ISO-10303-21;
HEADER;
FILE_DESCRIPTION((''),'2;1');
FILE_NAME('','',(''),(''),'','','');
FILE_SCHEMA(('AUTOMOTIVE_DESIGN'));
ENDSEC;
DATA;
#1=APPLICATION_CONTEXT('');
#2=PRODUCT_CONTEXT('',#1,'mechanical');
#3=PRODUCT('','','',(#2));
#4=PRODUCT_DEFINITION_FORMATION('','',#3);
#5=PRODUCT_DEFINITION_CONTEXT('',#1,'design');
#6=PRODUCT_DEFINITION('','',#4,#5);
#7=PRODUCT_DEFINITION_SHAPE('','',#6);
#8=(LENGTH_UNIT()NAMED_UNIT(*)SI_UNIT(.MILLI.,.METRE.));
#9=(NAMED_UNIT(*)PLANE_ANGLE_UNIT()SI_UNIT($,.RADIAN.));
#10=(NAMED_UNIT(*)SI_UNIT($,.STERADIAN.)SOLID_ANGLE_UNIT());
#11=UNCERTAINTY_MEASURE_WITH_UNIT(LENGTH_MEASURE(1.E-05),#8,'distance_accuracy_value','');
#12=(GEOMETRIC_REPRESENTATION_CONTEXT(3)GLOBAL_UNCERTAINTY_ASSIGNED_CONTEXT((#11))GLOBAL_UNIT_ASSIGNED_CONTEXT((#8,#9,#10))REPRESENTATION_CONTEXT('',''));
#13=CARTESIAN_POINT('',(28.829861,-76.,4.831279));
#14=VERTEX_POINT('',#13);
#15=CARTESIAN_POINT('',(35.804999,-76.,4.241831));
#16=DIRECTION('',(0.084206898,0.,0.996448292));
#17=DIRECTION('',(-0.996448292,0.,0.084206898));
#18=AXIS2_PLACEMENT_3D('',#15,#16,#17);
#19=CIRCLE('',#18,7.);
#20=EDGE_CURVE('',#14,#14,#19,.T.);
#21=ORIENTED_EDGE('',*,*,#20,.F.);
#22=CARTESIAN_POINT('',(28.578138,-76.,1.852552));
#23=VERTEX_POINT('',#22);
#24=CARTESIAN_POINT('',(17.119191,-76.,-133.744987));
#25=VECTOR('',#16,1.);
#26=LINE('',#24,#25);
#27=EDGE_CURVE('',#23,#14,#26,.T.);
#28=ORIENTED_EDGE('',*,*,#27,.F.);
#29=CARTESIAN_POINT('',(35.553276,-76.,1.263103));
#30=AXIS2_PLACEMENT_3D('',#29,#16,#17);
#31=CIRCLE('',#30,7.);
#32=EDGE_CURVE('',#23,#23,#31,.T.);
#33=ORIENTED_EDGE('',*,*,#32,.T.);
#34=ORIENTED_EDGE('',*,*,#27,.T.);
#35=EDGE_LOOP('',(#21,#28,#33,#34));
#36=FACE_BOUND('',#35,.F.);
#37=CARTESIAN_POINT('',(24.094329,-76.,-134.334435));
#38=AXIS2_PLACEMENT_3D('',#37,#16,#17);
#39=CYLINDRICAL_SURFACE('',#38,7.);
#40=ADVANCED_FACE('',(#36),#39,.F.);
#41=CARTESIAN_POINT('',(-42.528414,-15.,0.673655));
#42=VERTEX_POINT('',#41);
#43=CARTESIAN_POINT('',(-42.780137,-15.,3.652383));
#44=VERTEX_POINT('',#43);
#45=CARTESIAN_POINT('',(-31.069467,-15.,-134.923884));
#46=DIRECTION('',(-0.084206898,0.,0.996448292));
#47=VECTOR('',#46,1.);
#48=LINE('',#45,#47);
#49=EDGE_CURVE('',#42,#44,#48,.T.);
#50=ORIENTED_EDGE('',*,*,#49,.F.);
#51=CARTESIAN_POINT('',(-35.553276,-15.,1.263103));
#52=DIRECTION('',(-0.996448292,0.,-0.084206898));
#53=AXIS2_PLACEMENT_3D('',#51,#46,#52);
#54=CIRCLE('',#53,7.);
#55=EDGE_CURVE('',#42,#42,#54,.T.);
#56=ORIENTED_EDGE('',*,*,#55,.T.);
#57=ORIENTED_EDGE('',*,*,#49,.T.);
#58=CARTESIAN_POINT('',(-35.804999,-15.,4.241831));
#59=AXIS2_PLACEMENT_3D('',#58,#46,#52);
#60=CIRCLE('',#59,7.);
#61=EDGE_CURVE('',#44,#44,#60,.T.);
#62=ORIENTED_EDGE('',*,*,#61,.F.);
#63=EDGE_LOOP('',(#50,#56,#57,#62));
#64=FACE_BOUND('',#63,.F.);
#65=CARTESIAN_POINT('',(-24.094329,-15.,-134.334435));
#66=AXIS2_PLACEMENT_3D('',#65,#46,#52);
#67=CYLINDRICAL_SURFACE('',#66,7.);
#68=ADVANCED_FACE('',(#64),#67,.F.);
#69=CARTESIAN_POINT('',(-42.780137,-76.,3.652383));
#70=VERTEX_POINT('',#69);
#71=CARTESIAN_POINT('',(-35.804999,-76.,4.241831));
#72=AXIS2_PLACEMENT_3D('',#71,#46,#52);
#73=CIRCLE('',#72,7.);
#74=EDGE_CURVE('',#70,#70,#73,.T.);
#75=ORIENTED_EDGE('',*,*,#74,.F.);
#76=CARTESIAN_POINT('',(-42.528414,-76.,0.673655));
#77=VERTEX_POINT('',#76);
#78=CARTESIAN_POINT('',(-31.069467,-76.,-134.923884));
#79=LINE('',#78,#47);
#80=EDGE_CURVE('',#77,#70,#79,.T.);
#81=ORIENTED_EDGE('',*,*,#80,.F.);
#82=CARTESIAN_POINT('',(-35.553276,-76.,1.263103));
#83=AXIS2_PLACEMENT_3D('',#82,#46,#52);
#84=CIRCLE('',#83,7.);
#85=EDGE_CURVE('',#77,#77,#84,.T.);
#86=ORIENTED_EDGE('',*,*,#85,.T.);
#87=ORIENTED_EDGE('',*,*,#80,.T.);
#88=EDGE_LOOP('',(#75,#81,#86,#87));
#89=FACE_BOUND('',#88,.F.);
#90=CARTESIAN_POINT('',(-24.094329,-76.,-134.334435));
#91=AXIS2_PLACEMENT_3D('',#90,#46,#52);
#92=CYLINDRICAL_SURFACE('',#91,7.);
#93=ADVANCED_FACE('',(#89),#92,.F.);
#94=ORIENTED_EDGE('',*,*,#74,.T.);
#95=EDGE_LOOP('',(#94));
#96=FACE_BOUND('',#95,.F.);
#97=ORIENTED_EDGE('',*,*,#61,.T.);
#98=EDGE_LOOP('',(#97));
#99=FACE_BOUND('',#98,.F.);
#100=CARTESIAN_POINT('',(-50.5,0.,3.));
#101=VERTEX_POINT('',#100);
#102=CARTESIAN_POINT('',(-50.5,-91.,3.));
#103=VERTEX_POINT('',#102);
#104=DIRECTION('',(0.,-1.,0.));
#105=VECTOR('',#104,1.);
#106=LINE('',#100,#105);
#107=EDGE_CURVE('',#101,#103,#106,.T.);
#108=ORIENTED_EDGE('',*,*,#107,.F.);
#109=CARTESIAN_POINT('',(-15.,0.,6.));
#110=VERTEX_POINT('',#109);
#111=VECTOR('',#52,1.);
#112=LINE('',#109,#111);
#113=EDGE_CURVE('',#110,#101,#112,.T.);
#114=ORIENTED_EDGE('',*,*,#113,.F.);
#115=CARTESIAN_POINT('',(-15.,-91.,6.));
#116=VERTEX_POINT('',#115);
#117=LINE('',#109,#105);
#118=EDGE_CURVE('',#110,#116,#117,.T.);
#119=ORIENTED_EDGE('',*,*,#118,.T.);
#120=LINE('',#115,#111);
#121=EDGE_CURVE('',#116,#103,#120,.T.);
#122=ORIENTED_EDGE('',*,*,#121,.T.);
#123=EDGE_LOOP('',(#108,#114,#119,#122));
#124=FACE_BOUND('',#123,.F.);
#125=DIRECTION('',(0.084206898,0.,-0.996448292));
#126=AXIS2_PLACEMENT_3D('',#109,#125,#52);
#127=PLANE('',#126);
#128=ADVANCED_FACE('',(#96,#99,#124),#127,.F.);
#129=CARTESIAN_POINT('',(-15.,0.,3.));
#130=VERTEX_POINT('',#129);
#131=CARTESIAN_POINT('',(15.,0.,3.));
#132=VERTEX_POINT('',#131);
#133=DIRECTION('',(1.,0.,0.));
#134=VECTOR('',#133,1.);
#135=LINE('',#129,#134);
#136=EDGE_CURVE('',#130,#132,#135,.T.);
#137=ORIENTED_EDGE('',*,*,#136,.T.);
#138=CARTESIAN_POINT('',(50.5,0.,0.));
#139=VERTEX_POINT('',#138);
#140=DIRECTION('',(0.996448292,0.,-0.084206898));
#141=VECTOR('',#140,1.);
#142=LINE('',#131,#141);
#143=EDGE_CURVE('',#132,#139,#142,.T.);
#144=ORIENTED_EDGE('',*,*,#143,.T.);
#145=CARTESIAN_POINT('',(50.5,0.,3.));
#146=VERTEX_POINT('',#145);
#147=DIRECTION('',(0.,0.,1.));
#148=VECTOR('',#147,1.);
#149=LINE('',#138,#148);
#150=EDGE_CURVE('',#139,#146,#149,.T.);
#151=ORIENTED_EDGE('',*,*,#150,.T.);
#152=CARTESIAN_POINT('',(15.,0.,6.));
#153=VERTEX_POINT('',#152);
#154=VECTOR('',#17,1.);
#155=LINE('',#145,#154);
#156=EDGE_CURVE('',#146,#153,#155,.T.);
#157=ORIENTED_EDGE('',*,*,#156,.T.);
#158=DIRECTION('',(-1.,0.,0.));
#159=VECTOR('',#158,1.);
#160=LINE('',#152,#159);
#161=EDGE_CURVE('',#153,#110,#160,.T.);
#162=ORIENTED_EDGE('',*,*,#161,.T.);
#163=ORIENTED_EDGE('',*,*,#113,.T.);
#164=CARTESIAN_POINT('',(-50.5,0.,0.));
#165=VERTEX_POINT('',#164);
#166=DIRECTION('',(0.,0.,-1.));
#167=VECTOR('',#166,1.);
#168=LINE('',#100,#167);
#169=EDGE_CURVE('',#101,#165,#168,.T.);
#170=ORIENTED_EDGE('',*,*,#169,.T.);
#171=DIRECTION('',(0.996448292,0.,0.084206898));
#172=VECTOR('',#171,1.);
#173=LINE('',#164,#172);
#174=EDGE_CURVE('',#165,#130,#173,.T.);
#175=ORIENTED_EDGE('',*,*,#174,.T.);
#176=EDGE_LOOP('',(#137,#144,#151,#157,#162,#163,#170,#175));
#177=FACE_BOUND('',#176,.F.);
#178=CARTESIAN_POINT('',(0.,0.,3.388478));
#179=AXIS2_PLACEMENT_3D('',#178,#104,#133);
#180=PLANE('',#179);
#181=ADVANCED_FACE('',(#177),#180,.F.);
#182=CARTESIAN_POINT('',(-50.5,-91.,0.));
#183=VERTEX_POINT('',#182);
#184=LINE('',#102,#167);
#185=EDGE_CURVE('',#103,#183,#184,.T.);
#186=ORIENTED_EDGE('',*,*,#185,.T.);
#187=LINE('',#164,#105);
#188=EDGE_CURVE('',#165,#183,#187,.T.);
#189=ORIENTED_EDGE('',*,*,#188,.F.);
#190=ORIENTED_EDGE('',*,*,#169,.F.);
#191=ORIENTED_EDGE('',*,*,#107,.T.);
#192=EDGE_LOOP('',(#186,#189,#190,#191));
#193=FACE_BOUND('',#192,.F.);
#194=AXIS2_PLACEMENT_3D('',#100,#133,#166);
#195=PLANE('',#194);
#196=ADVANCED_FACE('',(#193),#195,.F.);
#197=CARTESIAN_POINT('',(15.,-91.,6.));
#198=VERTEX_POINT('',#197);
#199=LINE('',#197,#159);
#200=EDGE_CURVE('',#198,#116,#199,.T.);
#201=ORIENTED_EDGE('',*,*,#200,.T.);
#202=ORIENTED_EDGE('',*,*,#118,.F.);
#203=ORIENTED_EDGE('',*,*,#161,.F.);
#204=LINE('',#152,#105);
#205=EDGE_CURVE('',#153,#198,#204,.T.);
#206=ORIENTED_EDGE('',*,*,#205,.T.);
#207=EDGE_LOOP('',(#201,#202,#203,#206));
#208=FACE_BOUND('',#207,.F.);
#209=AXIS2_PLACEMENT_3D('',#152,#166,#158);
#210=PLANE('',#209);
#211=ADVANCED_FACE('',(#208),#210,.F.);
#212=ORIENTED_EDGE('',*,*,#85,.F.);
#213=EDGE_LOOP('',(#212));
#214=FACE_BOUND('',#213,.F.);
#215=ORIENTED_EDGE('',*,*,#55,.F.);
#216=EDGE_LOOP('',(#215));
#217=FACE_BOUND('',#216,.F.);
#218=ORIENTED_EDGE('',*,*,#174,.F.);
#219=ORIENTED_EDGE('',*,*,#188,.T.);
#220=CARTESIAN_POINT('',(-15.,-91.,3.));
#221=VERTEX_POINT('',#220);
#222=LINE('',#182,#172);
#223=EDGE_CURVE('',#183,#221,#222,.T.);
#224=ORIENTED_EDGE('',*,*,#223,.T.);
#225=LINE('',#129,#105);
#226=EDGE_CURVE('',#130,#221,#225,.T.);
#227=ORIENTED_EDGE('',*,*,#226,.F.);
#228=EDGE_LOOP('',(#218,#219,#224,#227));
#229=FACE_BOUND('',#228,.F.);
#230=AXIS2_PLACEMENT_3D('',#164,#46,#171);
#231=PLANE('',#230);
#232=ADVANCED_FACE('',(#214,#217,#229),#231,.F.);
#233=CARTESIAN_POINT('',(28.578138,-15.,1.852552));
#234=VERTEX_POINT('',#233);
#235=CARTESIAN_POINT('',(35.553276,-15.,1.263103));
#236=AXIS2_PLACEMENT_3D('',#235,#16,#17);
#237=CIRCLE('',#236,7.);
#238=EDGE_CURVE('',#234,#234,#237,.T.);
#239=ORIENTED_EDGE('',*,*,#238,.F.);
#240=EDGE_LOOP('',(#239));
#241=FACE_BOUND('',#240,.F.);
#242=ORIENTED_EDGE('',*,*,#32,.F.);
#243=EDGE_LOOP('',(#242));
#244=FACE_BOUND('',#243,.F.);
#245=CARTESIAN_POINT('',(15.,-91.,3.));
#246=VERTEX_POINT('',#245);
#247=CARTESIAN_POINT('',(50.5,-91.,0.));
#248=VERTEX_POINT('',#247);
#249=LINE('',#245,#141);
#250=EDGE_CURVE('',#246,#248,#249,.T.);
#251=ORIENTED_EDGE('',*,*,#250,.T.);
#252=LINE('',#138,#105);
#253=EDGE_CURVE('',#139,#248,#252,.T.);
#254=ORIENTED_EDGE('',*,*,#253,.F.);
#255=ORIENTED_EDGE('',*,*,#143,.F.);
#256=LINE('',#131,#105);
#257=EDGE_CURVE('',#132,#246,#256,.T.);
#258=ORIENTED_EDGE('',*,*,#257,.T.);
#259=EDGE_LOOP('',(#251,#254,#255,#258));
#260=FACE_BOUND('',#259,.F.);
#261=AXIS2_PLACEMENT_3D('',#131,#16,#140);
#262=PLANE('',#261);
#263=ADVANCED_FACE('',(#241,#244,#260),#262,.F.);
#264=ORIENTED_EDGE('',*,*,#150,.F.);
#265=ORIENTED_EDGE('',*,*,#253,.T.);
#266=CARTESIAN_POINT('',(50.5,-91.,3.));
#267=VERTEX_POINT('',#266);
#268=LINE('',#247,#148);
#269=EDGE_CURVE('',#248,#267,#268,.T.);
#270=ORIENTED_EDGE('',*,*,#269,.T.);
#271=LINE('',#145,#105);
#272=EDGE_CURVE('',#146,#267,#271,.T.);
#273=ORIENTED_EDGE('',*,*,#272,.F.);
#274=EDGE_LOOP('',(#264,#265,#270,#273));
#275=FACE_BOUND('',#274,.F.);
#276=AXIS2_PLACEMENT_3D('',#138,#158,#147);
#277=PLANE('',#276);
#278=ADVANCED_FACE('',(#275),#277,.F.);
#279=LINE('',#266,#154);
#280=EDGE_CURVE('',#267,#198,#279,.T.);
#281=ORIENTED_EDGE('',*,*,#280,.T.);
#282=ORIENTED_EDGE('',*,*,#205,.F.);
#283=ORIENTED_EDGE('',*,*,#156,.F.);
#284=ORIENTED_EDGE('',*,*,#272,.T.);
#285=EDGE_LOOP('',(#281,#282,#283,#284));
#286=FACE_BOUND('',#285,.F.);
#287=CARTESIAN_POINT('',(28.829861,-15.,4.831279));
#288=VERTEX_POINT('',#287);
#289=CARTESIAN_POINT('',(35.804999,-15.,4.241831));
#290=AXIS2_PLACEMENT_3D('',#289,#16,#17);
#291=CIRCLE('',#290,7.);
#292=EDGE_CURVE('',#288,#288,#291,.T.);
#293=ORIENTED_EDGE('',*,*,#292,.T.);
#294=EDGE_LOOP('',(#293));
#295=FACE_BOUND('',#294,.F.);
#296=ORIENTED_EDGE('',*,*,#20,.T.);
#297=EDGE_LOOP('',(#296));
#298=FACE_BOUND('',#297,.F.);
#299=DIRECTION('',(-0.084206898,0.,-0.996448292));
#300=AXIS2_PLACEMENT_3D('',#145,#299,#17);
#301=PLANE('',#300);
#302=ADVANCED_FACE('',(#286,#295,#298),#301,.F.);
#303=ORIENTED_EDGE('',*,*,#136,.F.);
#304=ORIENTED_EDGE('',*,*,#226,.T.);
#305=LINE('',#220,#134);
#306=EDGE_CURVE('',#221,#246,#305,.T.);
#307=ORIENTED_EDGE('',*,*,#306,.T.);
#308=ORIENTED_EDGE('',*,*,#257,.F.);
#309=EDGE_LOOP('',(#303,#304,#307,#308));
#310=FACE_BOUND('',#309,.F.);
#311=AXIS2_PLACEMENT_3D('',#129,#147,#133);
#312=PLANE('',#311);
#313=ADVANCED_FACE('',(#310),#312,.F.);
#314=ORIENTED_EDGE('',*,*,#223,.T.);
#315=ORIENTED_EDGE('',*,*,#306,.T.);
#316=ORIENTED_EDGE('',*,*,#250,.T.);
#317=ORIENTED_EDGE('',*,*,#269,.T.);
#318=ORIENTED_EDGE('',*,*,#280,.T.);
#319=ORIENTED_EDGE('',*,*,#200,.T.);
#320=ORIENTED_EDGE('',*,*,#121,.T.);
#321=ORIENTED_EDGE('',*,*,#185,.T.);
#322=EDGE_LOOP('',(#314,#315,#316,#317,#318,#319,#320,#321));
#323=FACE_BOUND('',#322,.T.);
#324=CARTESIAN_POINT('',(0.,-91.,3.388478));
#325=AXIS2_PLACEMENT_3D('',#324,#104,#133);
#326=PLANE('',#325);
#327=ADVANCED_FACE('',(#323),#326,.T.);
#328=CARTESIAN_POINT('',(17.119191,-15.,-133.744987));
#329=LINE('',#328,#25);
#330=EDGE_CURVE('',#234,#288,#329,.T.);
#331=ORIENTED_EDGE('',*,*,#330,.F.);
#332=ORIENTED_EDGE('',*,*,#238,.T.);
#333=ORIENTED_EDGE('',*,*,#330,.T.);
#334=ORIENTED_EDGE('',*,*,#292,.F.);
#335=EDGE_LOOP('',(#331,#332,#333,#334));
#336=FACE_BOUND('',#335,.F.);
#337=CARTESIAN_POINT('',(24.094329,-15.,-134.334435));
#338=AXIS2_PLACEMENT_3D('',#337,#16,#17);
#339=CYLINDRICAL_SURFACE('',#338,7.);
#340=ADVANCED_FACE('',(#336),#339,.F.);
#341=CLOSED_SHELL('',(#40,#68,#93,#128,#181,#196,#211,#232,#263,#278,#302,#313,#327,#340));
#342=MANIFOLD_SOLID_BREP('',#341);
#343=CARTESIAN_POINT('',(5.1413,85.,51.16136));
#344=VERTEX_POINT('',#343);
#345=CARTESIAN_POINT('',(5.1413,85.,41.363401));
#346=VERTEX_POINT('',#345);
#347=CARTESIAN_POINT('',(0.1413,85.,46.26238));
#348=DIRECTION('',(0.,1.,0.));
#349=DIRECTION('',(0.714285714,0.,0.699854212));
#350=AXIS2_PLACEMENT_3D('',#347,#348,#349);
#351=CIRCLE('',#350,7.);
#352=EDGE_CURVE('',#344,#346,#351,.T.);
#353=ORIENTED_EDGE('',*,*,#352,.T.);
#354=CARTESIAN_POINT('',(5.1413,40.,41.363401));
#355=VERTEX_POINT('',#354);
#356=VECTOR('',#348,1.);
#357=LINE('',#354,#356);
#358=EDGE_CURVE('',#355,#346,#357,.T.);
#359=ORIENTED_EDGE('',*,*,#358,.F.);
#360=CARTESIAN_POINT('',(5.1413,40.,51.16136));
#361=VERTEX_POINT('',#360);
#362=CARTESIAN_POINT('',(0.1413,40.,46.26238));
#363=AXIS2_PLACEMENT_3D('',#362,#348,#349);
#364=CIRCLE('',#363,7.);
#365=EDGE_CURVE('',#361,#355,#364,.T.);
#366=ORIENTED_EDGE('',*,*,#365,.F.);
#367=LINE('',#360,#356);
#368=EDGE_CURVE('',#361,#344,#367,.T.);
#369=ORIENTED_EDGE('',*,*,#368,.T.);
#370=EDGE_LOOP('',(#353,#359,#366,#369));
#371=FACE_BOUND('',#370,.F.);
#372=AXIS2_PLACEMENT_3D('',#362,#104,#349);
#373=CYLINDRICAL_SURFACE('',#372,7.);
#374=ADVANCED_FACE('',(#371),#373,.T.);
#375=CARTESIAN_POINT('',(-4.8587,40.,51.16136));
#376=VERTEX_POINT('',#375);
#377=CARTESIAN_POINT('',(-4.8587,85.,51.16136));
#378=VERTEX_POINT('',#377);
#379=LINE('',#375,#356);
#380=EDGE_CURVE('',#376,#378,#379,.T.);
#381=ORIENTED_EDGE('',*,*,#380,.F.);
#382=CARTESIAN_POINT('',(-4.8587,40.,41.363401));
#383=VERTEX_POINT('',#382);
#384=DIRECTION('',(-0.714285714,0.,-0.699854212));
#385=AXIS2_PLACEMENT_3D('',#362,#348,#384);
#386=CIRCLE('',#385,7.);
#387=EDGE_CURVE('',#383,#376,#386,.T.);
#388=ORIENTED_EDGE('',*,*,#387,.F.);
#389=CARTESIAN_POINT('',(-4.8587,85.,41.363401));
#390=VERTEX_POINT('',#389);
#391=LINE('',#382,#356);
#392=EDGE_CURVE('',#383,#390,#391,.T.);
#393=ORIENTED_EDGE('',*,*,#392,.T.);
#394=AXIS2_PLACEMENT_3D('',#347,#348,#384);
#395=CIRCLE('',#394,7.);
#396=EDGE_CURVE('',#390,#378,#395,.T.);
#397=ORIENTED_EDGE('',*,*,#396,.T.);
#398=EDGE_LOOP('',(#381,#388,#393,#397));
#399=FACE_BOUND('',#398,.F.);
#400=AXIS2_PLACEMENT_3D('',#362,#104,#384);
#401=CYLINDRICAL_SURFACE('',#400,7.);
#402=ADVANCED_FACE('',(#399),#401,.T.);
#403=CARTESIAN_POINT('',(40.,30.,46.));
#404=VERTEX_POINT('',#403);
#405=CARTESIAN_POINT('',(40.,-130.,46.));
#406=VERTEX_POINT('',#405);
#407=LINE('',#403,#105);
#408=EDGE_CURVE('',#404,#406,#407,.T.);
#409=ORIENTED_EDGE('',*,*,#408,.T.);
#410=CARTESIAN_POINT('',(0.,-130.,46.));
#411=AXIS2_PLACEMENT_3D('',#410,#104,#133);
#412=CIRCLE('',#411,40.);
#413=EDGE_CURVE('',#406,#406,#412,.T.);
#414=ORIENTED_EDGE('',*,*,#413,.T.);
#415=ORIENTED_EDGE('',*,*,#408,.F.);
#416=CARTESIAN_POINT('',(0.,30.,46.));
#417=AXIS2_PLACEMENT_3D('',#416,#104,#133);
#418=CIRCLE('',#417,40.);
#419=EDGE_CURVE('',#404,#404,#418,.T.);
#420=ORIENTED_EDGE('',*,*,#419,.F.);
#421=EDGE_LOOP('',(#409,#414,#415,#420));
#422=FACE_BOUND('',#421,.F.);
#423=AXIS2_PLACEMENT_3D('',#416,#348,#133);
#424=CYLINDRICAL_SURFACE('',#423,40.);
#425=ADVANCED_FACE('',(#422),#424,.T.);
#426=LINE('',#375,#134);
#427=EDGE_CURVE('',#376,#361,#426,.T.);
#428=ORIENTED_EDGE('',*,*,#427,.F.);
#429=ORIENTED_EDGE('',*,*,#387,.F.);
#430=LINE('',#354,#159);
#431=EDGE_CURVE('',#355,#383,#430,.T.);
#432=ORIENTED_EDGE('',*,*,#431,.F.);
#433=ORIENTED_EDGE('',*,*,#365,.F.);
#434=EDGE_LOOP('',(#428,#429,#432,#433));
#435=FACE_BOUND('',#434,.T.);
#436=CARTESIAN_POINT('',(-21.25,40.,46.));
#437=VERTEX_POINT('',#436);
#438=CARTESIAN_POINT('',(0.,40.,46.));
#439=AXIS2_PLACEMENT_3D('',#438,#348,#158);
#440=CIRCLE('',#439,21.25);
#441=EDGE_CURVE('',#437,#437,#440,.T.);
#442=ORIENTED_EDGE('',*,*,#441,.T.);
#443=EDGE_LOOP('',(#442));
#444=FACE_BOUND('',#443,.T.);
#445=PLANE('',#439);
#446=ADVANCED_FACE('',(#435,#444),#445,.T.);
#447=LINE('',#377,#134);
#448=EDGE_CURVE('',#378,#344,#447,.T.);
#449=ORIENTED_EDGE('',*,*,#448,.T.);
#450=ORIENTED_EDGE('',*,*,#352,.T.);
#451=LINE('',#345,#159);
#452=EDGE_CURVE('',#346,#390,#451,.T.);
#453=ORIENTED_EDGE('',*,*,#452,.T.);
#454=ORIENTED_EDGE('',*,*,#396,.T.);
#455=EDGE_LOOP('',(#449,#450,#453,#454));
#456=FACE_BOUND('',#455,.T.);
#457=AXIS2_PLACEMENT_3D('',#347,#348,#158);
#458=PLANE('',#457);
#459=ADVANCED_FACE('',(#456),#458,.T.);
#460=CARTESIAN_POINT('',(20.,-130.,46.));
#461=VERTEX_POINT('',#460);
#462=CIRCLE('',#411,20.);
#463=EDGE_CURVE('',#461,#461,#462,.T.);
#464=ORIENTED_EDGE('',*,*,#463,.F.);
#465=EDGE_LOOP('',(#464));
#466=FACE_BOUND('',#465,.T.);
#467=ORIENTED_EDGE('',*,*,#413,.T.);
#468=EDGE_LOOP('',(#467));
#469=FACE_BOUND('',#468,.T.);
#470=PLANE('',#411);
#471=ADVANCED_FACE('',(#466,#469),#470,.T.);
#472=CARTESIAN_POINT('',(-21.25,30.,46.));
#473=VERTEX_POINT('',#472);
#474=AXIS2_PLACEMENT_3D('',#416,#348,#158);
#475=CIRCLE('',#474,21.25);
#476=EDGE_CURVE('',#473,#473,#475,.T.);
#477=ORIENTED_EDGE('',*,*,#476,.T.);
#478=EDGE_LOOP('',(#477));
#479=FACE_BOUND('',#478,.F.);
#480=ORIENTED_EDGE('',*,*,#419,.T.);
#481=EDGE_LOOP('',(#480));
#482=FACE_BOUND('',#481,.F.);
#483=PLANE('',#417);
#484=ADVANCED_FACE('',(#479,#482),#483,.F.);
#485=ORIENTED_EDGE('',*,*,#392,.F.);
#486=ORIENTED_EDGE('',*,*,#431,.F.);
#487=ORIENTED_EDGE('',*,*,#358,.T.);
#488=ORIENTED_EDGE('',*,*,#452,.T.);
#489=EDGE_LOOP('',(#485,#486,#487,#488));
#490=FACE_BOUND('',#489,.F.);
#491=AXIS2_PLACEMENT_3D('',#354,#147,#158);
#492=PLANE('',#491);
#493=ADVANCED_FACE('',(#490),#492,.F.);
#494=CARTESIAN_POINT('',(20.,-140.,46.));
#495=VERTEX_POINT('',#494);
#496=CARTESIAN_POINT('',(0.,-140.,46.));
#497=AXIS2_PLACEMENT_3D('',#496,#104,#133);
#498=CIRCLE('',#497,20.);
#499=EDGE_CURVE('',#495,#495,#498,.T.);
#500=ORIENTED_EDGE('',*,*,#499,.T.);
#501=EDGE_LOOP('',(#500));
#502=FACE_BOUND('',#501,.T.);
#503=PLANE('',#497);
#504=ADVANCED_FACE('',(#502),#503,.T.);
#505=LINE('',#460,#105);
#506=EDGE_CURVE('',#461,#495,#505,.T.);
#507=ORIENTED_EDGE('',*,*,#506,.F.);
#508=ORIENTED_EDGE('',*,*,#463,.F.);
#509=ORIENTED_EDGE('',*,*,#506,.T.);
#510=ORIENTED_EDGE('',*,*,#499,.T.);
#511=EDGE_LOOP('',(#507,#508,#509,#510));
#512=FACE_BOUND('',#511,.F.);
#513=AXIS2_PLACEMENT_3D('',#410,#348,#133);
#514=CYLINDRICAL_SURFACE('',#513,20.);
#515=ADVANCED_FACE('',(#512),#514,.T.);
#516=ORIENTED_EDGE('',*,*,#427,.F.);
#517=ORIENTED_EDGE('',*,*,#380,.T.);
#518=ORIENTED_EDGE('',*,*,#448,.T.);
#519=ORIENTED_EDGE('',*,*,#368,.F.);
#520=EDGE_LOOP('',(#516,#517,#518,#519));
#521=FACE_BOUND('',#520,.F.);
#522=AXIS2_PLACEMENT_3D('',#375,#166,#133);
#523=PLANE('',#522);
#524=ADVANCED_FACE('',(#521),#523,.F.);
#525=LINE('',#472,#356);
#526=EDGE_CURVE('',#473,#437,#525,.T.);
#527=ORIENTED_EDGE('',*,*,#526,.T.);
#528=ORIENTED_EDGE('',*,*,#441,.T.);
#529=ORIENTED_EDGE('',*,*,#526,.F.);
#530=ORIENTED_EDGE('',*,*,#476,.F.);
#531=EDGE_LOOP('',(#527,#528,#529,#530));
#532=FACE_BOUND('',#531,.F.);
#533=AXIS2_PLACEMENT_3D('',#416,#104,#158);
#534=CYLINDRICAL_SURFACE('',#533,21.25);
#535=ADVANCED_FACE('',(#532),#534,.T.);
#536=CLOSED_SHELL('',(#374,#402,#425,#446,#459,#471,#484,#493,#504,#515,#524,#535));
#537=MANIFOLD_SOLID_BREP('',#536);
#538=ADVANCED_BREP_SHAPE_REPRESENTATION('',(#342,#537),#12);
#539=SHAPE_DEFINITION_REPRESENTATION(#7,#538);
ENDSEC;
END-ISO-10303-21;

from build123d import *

# Parameters (mm, degrees)
F1_DEPTH   = 91
F4_D       = 14
F4_ON_F3_D = 14
F6_R       = 40
F7_DEPTH   = 160
F8_R       = 20
F9_DEPTH   = 10
F10_R      = 21.25
F11_DEPTH  = 10
F13_DEPTH  = 45


with BuildPart() as f1:
    # F0 (on Front) → F1 (new body)
    with BuildSketch(Plane.XZ):
        Polygon((-50.5, 3), (-50.5, 0), (-15, 3), (15, 3), (50.5, 0), (50.5, 3), (15, 6), (-15, 6), align=None)
    extrude(amount=F1_DEPTH)

    # F4 (through all)
    with Locations(Plane(origin=(-0.3580854836, 0, 4.2373448887), x_dir=(0.9964482919, 0, 0.0842068979), z_dir=(0.0842068979, 0, -0.9964482919))):
        with Locations((-35.3206387388, 76), (-35.3206387388, 15)):
            Hole(F4_D / 2)

    # F4 on F3 (through all)
    with Locations(Plane(origin=(0.3580854836, 0, 4.2373448887), x_dir=(0.9964482919, 0, -0.0842068979), z_dir=(-0.0842068979, 0, -0.9964482919))):
        with Locations((35.3206387388, 76), (35.3206387388, 15)):
            Hole(F4_ON_F3_D / 2)


with BuildPart() as f7:
    # F6 (on offset) → F7 (new body)
    with BuildSketch(Plane.XZ.offset(-30)):
        with Locations((0, 46)):
            Circle(F6_R)
    extrude(amount=F7_DEPTH)

    # F8 (on face) → F9 (join)
    with BuildSketch(Plane.XZ.offset(130)):
        with Locations((0, 46)):
            Circle(F8_R)
    extrude(amount=F9_DEPTH)

    # F10 (on face) → F11 (join)
    with BuildSketch(Plane(origin=(0, 30, 0), x_dir=(-1, 0, 0), z_dir=(0, 1, 0))):
        with Locations((0, 46)):
            Circle(F10_R)
    extrude(amount=F11_DEPTH)

    # F12 (on face) → F13 (join)
    with BuildSketch(Plane(origin=(0, 40, 0), x_dir=(-1, 0, 0), z_dir=(0, 1, 0))):
        with BuildLine():
            Line((4.8587004589, 51.1613599355), (-5.1412995411, 51.1613599355))
            ThreePointArc((-5.1412995411, 51.1613599355), (-7.1412995411, 46.2623804499), (-5.1412995411, 41.3634009644))
            Line((-5.1412995411, 41.3634009644), (4.8587004589, 41.3634009644))
            ThreePointArc((4.8587004589, 41.3634009644), (6.8587004589, 46.2623804499), (4.8587004589, 51.1613599355))
        make_face()
    extrude(amount=F13_DEPTH)


solid = Compound([f1.part, f7.part])
